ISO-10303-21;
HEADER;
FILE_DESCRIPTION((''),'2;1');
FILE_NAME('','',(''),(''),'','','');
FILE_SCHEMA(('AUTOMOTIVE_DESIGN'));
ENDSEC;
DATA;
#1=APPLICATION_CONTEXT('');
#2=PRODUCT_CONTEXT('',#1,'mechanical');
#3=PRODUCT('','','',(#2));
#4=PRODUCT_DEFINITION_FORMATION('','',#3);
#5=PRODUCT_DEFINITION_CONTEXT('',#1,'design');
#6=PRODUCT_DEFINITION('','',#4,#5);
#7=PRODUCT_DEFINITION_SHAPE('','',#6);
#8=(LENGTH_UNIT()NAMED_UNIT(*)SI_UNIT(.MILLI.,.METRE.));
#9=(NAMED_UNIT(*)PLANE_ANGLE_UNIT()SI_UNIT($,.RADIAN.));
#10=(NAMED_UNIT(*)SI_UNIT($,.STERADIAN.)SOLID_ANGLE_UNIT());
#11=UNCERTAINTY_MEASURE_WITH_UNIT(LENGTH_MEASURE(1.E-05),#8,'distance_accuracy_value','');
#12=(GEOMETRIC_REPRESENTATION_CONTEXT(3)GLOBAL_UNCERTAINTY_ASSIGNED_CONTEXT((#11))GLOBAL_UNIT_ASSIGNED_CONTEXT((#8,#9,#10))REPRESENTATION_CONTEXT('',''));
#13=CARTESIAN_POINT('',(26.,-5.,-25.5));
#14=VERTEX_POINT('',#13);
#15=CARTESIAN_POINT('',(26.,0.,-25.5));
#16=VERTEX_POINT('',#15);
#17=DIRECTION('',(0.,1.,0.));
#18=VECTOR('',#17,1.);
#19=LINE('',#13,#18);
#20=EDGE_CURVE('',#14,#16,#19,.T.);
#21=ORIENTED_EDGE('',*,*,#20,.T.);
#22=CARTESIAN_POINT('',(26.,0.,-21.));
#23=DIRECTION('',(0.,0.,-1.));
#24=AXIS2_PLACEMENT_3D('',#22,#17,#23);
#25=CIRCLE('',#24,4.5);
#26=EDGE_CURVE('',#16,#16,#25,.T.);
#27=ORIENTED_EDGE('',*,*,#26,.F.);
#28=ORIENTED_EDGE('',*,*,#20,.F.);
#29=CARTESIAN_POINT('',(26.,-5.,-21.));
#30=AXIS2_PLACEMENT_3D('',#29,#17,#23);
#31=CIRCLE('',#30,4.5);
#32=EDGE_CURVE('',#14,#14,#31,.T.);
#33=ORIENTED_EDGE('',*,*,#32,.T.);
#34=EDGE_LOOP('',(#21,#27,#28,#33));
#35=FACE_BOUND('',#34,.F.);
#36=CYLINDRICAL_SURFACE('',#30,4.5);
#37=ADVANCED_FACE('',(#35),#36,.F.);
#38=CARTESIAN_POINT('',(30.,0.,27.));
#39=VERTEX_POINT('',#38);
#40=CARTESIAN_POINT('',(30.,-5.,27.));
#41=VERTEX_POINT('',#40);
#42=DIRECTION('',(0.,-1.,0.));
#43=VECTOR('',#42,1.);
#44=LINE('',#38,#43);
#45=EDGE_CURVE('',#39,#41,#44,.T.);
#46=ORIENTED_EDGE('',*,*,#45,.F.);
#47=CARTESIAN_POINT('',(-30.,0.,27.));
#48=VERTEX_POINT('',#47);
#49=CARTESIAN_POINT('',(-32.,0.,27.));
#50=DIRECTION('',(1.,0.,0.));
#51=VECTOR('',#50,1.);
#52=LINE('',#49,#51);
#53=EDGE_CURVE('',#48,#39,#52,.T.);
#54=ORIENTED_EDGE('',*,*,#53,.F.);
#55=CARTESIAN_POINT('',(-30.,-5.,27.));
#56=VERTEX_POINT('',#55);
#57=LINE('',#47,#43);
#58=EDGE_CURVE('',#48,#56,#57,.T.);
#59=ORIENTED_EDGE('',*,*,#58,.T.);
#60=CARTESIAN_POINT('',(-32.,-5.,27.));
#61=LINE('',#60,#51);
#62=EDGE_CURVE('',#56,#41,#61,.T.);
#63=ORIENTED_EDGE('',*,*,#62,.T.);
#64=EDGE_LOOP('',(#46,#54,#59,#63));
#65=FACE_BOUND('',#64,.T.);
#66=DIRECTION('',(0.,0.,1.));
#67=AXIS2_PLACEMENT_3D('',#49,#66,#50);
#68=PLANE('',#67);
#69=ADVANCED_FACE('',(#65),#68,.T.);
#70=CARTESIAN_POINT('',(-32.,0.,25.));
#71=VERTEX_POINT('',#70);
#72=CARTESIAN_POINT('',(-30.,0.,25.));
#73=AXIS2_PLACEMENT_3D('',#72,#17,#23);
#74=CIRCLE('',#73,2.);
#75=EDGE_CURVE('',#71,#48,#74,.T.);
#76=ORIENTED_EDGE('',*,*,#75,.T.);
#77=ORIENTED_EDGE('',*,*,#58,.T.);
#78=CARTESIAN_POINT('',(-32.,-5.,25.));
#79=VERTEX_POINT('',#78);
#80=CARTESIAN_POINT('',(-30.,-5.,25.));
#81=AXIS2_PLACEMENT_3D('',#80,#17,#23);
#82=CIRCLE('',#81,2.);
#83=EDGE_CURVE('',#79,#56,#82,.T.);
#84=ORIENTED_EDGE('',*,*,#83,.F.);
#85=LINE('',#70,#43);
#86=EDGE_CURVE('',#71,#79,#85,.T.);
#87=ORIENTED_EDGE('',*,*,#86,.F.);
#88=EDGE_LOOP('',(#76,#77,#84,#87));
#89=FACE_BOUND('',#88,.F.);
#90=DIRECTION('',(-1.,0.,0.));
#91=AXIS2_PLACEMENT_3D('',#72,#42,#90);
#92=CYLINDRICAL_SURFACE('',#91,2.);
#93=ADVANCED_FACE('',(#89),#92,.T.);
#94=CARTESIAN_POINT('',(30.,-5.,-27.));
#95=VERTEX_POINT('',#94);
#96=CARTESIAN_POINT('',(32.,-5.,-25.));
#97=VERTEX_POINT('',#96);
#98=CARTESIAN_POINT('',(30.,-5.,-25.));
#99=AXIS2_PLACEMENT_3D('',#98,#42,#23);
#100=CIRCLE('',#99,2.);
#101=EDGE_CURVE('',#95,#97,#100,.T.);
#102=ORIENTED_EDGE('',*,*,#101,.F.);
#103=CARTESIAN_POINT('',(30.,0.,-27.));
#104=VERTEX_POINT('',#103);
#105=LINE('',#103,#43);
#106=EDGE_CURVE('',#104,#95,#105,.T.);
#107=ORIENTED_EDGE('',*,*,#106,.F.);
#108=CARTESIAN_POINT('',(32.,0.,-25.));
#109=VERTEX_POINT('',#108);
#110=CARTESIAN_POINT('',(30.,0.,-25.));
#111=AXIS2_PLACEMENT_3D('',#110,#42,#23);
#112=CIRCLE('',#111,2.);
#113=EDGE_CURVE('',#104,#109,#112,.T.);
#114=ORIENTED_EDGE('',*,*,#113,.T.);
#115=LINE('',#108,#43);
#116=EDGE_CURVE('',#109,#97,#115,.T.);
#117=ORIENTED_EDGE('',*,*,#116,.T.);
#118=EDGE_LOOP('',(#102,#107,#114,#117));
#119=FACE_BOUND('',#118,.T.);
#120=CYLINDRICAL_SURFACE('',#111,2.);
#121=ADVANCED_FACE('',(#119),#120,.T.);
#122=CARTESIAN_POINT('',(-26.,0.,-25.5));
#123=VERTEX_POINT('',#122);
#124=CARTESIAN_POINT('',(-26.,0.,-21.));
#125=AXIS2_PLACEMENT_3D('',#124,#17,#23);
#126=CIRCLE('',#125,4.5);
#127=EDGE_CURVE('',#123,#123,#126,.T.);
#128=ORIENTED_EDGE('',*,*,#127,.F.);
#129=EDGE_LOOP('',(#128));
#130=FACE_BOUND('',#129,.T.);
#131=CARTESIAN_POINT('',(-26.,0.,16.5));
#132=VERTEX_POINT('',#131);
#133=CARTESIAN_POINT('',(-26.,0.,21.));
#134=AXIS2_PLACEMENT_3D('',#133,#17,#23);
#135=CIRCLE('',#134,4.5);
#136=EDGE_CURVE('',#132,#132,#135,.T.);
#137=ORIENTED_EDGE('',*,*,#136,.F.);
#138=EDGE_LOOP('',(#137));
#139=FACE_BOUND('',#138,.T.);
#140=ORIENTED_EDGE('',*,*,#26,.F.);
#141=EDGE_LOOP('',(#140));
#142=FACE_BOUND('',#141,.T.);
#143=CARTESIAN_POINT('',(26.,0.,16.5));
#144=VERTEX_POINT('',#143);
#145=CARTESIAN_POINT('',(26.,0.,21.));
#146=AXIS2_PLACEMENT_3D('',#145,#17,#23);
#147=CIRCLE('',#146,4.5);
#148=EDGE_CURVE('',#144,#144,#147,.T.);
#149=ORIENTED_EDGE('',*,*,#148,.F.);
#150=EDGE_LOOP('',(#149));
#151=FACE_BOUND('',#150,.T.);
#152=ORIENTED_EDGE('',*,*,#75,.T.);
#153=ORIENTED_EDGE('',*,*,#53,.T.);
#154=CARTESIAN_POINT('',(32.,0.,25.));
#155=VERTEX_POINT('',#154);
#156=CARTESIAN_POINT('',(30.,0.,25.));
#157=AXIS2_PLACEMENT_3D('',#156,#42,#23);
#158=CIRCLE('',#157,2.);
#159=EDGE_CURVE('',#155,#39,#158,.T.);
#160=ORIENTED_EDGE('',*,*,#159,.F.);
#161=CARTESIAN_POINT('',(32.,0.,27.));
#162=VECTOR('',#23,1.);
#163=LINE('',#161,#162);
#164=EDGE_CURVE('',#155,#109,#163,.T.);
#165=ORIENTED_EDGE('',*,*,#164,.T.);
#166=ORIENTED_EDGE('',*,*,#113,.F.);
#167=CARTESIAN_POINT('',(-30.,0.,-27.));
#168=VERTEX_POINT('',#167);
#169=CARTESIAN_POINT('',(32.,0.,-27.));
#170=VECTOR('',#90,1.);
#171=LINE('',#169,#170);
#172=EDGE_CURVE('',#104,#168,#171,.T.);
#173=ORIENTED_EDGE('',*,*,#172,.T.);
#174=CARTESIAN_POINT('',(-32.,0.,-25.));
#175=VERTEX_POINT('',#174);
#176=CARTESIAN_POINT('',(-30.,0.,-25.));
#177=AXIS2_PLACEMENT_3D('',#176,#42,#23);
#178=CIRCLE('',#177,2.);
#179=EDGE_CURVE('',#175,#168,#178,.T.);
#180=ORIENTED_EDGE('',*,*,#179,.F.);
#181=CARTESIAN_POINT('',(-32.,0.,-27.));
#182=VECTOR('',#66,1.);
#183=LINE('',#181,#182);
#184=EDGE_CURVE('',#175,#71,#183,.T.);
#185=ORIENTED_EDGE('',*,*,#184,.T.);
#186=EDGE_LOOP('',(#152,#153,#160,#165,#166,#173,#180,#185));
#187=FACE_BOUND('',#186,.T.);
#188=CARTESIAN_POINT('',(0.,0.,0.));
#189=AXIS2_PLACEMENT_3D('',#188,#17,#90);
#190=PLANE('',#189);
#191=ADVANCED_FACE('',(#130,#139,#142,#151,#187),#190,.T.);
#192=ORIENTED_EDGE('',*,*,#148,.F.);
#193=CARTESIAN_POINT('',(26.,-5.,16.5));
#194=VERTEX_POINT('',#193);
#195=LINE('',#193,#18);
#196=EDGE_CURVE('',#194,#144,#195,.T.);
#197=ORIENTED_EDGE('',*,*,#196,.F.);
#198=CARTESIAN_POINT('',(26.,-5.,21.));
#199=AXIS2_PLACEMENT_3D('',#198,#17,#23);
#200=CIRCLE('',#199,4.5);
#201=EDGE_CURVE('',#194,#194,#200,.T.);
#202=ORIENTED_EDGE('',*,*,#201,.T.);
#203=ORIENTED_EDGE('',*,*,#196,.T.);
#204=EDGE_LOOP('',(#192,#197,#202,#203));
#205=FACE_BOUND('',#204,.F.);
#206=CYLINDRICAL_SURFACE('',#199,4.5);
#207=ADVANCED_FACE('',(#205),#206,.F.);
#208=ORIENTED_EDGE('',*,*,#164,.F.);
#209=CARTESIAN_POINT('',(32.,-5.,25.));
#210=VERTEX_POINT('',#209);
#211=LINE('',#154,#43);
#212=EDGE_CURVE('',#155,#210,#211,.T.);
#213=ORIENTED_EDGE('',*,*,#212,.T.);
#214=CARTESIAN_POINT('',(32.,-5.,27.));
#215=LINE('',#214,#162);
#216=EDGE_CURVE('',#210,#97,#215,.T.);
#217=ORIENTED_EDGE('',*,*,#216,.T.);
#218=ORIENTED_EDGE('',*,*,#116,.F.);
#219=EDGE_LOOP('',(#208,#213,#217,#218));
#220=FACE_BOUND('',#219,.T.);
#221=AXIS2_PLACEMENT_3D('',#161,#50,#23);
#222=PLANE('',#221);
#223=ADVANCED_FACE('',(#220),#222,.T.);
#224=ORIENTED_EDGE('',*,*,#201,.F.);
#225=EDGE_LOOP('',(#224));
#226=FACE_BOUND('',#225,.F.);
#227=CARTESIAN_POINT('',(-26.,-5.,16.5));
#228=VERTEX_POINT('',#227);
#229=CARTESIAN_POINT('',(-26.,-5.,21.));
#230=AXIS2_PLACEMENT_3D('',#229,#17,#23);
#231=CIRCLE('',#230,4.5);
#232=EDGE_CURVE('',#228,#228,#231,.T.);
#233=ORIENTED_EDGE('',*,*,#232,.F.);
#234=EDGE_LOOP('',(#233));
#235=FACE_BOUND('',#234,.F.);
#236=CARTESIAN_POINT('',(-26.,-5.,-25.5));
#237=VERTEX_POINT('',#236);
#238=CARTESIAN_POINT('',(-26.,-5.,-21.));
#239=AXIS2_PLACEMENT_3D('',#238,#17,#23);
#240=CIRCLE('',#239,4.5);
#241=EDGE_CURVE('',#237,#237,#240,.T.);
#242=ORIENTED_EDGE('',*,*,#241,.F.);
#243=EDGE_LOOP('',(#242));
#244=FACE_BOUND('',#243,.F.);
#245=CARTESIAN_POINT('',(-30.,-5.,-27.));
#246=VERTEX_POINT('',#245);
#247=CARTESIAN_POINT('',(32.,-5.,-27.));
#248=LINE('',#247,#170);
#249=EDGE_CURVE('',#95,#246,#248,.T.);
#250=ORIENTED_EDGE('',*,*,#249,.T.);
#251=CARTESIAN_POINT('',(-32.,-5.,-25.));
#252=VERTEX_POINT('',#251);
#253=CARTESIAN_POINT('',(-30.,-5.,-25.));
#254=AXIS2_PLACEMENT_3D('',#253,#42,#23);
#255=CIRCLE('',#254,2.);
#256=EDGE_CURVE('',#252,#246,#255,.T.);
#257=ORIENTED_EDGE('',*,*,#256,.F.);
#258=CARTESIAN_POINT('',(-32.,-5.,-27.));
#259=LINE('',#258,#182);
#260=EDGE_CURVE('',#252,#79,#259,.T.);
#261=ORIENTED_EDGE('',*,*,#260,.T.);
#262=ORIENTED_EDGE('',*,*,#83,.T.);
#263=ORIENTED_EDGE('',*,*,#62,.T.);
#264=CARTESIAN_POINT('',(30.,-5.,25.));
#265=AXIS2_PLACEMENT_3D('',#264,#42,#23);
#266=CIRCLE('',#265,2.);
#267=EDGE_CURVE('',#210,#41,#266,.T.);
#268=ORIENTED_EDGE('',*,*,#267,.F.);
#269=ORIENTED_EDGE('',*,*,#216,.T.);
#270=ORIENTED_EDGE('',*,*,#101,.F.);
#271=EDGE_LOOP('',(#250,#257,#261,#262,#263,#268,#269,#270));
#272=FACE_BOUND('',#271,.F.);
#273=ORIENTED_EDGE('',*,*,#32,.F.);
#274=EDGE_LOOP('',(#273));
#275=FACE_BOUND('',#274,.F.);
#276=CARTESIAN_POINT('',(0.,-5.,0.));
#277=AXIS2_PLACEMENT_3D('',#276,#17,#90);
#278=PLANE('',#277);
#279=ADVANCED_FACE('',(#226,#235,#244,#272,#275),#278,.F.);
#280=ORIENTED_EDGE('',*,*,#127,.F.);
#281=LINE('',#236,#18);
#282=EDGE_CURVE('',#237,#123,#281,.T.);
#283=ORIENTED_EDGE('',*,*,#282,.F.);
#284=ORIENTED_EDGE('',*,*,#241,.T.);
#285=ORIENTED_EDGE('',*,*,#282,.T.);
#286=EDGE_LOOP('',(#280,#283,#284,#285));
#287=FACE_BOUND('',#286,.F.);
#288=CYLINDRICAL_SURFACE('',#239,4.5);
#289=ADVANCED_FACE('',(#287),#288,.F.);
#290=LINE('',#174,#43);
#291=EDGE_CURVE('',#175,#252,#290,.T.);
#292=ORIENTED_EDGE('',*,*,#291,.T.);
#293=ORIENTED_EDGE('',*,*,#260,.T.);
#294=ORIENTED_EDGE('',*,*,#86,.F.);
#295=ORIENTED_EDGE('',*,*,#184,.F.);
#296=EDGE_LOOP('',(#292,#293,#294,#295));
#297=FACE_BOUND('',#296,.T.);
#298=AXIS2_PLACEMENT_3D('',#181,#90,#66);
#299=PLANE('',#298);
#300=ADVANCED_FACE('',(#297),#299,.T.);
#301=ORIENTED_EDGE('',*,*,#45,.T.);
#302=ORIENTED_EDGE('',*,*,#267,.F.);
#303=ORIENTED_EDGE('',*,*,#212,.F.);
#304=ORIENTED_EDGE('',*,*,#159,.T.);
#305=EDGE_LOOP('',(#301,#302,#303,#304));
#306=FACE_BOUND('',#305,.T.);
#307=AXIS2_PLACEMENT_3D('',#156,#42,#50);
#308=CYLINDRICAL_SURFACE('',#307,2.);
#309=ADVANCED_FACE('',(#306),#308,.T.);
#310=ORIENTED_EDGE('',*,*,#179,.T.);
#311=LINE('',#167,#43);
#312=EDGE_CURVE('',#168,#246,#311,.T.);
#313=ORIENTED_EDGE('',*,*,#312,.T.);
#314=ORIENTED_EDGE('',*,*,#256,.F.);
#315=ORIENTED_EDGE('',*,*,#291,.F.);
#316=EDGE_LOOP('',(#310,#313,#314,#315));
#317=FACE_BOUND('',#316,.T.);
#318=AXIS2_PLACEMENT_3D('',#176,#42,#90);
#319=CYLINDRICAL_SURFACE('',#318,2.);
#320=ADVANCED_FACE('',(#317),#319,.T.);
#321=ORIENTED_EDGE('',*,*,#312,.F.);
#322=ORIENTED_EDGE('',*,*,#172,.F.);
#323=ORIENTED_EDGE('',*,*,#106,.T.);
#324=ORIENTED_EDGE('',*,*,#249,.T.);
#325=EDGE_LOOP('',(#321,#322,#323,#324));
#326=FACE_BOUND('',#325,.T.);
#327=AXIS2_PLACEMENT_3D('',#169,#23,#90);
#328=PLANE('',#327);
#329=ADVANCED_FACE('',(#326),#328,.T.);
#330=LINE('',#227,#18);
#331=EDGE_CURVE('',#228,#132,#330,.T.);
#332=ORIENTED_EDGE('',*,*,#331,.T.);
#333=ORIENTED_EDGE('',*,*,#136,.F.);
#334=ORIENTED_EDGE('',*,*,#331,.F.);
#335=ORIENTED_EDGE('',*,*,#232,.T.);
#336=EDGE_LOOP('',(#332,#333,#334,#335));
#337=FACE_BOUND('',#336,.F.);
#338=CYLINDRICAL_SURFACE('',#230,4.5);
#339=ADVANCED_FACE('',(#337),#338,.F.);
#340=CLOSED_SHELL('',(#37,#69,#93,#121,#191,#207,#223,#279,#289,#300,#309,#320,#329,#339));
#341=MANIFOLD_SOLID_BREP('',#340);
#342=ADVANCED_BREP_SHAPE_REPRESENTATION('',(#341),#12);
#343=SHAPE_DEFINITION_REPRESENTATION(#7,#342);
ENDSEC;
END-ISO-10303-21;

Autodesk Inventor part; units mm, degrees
ref_plane "YZ Plane" through (0, 0, 0) normal (1, 0, 0) x (0, 1, 0)
ref_plane "XZ Plane" through (0, 0, 0) normal (0, 1, 0) x (-1, 0, 0)
ref_plane "XY Plane" through (0, 0, 0) normal (0, 0, 1) x (1, 0, 0)
sketch "Sketch1" plane through (0, 0, 0) normal (0, 1, 0) x (-1, 0, 0)
  line L0 (32, 27) -> (-32, 27)
  line L1 (-32, 27) -> (-32, -27)
  line L2 (-32, -27) -> (32, -27)
  line L3 (32, -27) -> (32, 27)
  point P0 (0, -27)
  point P1 (32, 0)
  point P2 (0, 0)
  dimension "d13" = 64
  dimension "d14" = 54
extrude "Extrusion1" add sketch "Sketch1" against normal blind 5
fillet "Fillet1" radius 2 4 edges at (-32, -2.5, 27) (-32, -2.5, -27) (32, -2.5, 27) (32, -2.5, -27)
sketch "Sketch2" plane through (0, -5, 0) normal (0, -1, 0) x (1, 0, 0)
  arc A0 (30, -27) -> (32, -25) centre (30, -25) ccw projected
  line L0 (32, -25) -> (32, 25) projected
  arc A1 (32, 25) -> (30, 27) centre (30, 25) ccw projected
  line L1 (30, 27) -> (-30, 27) projected
  arc A2 (-30, 27) -> (-32, 25) centre (-30, 25) ccw projected
  line L2 (-32, 25) -> (-32, -25) projected
  arc A3 (-32, -25) -> (-30, -27) centre (-30, -25) ccw projected
  line L3 (-30, -27) -> (30, -27) projected
  line L4 (20, 15) -> (-20, 15) construction
  line L5 (-20, 15) -> (-20, -15) construction
  line L6 (-20, -15) -> (20, -15) construction
  line L7 (20, -15) -> (20, 15) construction
  line L8 (-32, 27) -> (32, 27) construction
  line L9 (32, 27) -> (32, -27) construction
  line L10 (32, -27) -> (-32, -27) construction
  line L11 (-32, -27) -> (-32, 27) construction
  line L12 (-32, 27) -> (-20, 15) construction
  line L13 (-32, -27) -> (-20, -15) construction
  line L14 (32, -27) -> (20, -15) construction
  line L15 (32, 27) -> (20, 15) construction
  point P0 (0, 0)
  point P1 (0, 0)
  point P2 (0, -15)
  point P3 (20, 0)
  point P4 (0, 27)
  point P5 (32, 0)
  point P6 (-32, 0)
  point P7 (0, -27)
  point P8 (-26, -21)
  point P9 (26, -21)
  point P10 (26, 21)
  point P11 (-26, 21)
  dimension "d15" = 40
  dimension "d16" = 30
  dimension "d19" = 12
  dimension "d20" = 12
  dimension "d21" = 64
  dimension "d22" = 54
  dimension "d23" = 6
hole "Hole1" at (-26, -5, -21) at (26, -5, -21) at (26, -5, 21) at (-26, -5, 21) direction (0, 1, 0) diameter 9 end through all
properties part number "cubierta1" material "Polycarbonate, Smoke"
